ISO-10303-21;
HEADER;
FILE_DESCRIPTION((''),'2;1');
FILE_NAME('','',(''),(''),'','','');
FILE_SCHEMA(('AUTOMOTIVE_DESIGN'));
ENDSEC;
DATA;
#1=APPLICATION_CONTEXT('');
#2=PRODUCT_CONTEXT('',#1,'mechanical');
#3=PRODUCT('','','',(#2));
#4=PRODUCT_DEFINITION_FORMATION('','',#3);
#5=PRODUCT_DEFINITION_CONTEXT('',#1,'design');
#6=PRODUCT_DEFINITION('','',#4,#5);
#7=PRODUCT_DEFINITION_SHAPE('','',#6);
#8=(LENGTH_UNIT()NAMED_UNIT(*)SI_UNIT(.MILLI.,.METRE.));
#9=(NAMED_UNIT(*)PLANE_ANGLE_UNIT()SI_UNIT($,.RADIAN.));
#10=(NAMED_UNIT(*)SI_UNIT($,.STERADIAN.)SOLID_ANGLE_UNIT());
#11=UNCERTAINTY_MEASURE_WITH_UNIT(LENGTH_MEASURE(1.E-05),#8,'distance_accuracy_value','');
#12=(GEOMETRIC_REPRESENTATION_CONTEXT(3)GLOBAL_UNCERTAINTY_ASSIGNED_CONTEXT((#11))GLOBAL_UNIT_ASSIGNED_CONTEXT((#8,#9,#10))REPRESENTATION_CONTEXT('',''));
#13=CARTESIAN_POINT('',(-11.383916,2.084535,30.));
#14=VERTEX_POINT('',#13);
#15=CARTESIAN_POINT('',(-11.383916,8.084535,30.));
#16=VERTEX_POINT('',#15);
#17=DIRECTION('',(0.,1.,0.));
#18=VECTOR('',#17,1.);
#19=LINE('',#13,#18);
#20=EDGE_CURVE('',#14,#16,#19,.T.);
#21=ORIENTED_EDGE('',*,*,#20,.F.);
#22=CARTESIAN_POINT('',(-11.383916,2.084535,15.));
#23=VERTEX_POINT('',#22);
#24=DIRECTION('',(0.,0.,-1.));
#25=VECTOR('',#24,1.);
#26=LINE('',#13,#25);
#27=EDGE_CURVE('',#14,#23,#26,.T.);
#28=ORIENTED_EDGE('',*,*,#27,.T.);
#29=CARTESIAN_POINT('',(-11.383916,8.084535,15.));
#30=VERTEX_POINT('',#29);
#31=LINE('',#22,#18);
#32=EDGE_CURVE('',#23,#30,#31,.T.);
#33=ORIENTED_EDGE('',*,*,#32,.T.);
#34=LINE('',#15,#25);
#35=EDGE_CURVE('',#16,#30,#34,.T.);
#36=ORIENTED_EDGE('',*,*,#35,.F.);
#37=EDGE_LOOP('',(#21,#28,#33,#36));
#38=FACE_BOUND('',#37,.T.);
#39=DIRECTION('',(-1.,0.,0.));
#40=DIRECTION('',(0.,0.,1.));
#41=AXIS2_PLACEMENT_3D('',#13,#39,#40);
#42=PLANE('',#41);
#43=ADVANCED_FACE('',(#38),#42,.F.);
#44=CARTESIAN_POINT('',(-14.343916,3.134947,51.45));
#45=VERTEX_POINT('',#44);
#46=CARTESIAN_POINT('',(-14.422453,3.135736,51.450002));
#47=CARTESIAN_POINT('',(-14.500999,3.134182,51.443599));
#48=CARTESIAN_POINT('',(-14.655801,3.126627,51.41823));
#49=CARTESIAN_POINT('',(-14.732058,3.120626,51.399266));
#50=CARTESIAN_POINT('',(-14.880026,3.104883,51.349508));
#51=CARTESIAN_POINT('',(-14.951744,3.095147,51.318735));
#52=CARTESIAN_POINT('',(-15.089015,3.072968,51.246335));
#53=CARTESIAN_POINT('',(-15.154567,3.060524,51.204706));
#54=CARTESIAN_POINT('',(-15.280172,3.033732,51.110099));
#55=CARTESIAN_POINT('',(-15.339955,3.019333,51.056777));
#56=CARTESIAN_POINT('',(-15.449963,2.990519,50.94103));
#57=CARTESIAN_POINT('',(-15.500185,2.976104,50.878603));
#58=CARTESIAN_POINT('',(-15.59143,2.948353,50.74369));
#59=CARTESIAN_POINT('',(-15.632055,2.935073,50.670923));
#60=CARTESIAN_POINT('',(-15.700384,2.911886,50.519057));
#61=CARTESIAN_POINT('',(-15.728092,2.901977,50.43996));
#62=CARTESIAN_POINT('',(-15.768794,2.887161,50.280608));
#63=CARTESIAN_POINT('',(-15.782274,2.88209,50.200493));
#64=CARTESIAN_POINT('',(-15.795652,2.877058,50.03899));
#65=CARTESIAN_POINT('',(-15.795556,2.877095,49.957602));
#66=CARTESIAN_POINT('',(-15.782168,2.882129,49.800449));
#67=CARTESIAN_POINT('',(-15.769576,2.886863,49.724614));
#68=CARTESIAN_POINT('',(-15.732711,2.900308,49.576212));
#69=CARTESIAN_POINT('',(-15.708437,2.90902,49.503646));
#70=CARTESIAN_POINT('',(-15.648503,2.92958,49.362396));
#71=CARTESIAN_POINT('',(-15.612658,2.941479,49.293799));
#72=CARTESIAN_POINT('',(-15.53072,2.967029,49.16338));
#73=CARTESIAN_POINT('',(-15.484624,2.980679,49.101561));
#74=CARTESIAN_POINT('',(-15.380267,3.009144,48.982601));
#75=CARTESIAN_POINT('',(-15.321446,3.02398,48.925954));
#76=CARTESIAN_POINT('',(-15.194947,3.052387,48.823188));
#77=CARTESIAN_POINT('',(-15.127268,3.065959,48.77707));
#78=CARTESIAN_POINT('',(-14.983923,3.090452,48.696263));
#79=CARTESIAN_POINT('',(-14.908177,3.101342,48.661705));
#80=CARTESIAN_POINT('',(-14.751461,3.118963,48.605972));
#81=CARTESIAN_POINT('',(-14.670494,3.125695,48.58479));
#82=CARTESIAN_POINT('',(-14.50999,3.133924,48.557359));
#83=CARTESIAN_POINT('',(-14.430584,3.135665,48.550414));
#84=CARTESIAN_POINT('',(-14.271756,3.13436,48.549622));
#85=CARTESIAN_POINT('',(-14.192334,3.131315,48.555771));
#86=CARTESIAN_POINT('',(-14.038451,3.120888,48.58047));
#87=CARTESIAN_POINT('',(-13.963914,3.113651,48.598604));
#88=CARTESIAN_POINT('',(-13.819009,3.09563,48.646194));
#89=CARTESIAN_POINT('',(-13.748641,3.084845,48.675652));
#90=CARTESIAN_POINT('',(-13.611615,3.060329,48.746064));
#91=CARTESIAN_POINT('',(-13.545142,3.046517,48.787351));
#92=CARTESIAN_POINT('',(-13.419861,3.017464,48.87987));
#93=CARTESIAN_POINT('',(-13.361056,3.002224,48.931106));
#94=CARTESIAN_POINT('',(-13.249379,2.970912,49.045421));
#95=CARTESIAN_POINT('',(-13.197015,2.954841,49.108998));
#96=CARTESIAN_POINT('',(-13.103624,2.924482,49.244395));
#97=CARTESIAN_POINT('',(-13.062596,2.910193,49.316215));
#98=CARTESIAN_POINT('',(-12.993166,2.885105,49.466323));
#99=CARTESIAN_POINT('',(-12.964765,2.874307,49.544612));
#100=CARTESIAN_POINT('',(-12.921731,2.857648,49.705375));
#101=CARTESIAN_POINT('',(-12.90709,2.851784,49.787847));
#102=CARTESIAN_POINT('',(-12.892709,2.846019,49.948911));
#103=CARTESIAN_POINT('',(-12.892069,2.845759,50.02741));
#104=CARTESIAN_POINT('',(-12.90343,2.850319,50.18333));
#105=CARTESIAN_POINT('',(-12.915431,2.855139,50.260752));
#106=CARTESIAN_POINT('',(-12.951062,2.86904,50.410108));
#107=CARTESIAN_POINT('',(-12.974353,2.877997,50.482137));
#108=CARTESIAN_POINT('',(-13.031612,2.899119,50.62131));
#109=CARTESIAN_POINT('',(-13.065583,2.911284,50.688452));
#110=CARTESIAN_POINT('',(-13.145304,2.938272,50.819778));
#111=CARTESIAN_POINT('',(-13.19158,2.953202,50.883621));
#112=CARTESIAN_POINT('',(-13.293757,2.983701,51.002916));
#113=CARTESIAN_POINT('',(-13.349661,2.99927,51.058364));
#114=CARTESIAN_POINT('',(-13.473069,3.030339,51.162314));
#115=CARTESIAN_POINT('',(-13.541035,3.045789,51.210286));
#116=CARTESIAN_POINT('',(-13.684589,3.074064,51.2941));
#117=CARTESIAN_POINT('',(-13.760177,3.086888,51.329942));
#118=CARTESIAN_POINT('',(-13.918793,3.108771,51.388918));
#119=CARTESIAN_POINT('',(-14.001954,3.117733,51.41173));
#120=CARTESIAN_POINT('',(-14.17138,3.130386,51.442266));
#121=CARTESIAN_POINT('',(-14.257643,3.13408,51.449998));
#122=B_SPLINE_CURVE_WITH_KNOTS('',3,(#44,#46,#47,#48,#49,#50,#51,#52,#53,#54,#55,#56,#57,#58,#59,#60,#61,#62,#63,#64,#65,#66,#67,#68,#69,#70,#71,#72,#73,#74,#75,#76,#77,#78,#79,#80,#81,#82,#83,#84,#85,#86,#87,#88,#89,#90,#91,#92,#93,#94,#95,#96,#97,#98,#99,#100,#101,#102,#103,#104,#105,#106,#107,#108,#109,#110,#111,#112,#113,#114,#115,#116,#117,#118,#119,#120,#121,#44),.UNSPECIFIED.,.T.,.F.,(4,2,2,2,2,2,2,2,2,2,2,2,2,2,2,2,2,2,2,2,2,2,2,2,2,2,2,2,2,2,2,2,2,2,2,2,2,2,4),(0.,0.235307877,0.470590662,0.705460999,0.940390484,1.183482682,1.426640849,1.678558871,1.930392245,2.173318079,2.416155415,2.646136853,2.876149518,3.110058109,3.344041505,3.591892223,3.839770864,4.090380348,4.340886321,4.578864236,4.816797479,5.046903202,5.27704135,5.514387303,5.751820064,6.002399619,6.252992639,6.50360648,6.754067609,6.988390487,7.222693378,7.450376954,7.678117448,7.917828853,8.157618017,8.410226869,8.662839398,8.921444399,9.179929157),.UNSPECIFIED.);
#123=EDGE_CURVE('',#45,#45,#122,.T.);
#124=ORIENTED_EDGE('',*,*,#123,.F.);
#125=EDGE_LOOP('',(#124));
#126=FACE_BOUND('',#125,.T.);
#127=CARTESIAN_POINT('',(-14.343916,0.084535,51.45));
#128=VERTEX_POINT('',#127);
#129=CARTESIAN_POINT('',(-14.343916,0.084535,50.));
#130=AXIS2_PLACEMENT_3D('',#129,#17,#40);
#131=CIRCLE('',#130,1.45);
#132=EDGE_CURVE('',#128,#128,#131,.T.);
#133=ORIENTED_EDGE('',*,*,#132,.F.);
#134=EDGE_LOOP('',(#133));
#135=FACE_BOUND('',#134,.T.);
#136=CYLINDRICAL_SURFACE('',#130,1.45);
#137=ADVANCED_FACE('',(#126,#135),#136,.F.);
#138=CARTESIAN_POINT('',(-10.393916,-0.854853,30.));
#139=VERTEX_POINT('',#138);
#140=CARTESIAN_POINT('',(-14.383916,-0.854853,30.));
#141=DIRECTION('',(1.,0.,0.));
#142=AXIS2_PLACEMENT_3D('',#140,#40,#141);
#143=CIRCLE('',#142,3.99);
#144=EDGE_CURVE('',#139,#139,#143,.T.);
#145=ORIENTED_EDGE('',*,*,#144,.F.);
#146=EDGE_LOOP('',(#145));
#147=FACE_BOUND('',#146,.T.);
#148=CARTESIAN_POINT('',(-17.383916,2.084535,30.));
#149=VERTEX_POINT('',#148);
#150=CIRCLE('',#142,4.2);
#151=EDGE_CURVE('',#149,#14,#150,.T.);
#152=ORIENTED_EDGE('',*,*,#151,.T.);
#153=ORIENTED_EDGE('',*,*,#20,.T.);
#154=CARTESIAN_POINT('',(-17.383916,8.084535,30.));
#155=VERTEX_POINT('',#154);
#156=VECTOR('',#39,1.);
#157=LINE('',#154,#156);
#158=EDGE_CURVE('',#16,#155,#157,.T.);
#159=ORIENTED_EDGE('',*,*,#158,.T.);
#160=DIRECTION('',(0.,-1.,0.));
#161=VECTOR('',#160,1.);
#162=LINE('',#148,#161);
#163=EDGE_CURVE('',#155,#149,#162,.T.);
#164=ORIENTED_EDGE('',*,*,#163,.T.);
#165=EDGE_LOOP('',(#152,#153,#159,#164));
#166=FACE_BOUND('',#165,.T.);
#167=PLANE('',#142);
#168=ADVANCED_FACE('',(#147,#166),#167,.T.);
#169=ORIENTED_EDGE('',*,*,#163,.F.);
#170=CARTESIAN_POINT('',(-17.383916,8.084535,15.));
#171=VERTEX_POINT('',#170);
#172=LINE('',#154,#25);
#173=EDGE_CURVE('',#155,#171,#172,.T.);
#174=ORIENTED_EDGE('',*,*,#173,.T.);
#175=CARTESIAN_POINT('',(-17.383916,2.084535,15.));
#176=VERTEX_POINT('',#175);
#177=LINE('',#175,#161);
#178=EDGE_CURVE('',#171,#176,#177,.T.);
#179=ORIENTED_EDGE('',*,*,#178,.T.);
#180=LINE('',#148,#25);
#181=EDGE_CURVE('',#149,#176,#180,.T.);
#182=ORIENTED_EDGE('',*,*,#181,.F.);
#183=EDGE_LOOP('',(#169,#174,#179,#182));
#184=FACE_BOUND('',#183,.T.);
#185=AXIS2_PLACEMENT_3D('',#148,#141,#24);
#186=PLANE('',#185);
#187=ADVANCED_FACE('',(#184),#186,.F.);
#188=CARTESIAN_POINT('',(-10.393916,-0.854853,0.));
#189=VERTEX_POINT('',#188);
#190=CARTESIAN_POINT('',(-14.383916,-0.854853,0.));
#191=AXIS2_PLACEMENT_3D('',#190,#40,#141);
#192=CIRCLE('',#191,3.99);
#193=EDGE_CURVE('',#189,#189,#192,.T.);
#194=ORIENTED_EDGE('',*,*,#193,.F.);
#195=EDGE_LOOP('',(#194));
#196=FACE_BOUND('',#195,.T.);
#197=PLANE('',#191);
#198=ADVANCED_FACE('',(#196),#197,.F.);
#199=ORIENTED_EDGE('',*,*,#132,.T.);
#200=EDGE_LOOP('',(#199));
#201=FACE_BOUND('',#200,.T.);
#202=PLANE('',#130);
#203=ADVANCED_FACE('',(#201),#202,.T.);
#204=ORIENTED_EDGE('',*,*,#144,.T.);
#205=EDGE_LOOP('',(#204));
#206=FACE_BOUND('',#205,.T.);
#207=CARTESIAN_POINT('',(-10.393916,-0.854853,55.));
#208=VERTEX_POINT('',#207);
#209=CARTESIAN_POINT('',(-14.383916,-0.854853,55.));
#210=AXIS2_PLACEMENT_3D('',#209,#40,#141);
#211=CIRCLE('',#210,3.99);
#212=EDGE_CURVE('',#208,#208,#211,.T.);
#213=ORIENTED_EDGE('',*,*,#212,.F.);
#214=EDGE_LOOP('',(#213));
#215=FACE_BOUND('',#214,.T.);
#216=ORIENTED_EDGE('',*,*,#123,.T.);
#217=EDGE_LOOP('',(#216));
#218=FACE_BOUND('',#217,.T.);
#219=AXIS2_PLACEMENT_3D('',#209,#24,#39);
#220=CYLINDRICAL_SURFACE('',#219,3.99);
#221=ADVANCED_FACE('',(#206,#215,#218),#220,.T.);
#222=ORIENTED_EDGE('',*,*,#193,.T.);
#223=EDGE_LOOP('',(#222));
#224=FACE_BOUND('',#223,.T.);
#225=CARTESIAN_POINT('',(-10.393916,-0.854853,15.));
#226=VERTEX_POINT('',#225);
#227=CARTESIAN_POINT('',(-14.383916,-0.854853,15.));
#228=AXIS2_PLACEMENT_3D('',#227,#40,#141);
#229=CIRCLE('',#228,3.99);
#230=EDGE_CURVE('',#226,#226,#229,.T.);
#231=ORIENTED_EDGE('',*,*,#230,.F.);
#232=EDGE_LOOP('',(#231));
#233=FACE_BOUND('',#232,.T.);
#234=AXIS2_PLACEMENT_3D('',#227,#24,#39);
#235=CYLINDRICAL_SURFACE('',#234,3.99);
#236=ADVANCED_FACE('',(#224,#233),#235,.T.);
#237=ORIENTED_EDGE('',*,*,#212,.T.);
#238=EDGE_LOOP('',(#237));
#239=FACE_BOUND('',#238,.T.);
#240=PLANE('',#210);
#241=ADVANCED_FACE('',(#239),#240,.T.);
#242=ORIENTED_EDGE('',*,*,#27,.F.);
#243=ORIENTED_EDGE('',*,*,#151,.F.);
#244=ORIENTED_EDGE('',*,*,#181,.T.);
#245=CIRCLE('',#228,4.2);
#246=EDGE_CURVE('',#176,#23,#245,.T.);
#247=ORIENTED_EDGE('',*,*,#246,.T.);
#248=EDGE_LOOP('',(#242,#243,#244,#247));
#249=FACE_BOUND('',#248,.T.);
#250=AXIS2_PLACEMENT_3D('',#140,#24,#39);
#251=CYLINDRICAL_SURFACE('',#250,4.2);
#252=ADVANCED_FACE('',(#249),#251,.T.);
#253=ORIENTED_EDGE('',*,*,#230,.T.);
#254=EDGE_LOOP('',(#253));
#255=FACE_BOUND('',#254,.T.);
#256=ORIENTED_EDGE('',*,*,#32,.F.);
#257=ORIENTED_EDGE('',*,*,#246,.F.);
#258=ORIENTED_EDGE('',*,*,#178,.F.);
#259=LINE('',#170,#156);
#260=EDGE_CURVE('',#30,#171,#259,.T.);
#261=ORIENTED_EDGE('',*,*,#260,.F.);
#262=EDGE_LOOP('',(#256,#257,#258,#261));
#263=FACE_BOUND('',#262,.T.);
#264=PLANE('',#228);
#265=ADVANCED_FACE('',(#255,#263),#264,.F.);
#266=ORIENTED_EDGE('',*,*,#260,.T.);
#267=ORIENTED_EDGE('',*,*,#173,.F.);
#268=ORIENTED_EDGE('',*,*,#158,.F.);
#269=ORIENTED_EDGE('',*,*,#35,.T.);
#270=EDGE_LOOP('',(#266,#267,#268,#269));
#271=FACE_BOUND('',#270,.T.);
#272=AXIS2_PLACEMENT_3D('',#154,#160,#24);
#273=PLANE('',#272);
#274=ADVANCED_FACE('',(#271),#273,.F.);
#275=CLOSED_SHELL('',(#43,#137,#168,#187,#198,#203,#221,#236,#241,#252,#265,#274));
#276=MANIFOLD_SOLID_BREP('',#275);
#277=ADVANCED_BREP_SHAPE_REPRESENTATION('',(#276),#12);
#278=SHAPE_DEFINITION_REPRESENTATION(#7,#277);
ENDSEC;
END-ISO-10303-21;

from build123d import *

# Parameters (mm, degrees)
SKETCH1_R           = 3.99
BOSS_EXTRUDE1_DEPTH = 15
BOSS_EXTRUDE7_DEPTH = 15
SKETCH7_R           = 3.99
BOSS_EXTRUDE8_DEPTH = 25
SKETCH8_R           = 1.45
CUT_EXTRUDE1_DEPTH  = 8


with BuildPart() as part:
    # Sketch1 → Boss-Extrude1 (new body)
    with BuildSketch(Plane.XY):
        with Locations((-14.383915809, -0.854852817)):
            Circle(SKETCH1_R)
    extrude(amount=BOSS_EXTRUDE1_DEPTH)

    # Sketch6 → Boss-Extrude7 (add)
    with BuildSketch(Plane.XY.offset(15)):
        with BuildLine():
            Line((-17.383915809, 2.084534875), (-17.383915809, 8.084534875))
            Line((-17.383915809, 8.084534875), (-11.383915809, 8.084534875))
            Line((-11.383915809, 8.084534875), (-11.383915809, 2.084534875))
            ThreePointArc((-11.383915809, 2.084534875), (-14.383915809, -5.054852817), (-17.383915809, 2.084534875))
        make_face()
    extrude(amount=BOSS_EXTRUDE7_DEPTH)

    # Sketch7 → Boss-Extrude8 (add)
    with BuildSketch(Plane.XY.offset(30)):
        with Locations((-14.383915809, -0.854852817)):
            Circle(SKETCH7_R)
    extrude(amount=BOSS_EXTRUDE8_DEPTH)

    # Sketch8 → Cut-Extrude1 (cut)
    with BuildSketch(Plane(origin=(0, 8.084534875, 0), x_dir=(1, 0, 0), z_dir=(0, 1, 0))):
        with Locations((-14.343915809, -50)):
            Circle(SKETCH8_R)
    extrude(amount=-CUT_EXTRUDE1_DEPTH, mode=Mode.SUBTRACT)


solid = part.part
